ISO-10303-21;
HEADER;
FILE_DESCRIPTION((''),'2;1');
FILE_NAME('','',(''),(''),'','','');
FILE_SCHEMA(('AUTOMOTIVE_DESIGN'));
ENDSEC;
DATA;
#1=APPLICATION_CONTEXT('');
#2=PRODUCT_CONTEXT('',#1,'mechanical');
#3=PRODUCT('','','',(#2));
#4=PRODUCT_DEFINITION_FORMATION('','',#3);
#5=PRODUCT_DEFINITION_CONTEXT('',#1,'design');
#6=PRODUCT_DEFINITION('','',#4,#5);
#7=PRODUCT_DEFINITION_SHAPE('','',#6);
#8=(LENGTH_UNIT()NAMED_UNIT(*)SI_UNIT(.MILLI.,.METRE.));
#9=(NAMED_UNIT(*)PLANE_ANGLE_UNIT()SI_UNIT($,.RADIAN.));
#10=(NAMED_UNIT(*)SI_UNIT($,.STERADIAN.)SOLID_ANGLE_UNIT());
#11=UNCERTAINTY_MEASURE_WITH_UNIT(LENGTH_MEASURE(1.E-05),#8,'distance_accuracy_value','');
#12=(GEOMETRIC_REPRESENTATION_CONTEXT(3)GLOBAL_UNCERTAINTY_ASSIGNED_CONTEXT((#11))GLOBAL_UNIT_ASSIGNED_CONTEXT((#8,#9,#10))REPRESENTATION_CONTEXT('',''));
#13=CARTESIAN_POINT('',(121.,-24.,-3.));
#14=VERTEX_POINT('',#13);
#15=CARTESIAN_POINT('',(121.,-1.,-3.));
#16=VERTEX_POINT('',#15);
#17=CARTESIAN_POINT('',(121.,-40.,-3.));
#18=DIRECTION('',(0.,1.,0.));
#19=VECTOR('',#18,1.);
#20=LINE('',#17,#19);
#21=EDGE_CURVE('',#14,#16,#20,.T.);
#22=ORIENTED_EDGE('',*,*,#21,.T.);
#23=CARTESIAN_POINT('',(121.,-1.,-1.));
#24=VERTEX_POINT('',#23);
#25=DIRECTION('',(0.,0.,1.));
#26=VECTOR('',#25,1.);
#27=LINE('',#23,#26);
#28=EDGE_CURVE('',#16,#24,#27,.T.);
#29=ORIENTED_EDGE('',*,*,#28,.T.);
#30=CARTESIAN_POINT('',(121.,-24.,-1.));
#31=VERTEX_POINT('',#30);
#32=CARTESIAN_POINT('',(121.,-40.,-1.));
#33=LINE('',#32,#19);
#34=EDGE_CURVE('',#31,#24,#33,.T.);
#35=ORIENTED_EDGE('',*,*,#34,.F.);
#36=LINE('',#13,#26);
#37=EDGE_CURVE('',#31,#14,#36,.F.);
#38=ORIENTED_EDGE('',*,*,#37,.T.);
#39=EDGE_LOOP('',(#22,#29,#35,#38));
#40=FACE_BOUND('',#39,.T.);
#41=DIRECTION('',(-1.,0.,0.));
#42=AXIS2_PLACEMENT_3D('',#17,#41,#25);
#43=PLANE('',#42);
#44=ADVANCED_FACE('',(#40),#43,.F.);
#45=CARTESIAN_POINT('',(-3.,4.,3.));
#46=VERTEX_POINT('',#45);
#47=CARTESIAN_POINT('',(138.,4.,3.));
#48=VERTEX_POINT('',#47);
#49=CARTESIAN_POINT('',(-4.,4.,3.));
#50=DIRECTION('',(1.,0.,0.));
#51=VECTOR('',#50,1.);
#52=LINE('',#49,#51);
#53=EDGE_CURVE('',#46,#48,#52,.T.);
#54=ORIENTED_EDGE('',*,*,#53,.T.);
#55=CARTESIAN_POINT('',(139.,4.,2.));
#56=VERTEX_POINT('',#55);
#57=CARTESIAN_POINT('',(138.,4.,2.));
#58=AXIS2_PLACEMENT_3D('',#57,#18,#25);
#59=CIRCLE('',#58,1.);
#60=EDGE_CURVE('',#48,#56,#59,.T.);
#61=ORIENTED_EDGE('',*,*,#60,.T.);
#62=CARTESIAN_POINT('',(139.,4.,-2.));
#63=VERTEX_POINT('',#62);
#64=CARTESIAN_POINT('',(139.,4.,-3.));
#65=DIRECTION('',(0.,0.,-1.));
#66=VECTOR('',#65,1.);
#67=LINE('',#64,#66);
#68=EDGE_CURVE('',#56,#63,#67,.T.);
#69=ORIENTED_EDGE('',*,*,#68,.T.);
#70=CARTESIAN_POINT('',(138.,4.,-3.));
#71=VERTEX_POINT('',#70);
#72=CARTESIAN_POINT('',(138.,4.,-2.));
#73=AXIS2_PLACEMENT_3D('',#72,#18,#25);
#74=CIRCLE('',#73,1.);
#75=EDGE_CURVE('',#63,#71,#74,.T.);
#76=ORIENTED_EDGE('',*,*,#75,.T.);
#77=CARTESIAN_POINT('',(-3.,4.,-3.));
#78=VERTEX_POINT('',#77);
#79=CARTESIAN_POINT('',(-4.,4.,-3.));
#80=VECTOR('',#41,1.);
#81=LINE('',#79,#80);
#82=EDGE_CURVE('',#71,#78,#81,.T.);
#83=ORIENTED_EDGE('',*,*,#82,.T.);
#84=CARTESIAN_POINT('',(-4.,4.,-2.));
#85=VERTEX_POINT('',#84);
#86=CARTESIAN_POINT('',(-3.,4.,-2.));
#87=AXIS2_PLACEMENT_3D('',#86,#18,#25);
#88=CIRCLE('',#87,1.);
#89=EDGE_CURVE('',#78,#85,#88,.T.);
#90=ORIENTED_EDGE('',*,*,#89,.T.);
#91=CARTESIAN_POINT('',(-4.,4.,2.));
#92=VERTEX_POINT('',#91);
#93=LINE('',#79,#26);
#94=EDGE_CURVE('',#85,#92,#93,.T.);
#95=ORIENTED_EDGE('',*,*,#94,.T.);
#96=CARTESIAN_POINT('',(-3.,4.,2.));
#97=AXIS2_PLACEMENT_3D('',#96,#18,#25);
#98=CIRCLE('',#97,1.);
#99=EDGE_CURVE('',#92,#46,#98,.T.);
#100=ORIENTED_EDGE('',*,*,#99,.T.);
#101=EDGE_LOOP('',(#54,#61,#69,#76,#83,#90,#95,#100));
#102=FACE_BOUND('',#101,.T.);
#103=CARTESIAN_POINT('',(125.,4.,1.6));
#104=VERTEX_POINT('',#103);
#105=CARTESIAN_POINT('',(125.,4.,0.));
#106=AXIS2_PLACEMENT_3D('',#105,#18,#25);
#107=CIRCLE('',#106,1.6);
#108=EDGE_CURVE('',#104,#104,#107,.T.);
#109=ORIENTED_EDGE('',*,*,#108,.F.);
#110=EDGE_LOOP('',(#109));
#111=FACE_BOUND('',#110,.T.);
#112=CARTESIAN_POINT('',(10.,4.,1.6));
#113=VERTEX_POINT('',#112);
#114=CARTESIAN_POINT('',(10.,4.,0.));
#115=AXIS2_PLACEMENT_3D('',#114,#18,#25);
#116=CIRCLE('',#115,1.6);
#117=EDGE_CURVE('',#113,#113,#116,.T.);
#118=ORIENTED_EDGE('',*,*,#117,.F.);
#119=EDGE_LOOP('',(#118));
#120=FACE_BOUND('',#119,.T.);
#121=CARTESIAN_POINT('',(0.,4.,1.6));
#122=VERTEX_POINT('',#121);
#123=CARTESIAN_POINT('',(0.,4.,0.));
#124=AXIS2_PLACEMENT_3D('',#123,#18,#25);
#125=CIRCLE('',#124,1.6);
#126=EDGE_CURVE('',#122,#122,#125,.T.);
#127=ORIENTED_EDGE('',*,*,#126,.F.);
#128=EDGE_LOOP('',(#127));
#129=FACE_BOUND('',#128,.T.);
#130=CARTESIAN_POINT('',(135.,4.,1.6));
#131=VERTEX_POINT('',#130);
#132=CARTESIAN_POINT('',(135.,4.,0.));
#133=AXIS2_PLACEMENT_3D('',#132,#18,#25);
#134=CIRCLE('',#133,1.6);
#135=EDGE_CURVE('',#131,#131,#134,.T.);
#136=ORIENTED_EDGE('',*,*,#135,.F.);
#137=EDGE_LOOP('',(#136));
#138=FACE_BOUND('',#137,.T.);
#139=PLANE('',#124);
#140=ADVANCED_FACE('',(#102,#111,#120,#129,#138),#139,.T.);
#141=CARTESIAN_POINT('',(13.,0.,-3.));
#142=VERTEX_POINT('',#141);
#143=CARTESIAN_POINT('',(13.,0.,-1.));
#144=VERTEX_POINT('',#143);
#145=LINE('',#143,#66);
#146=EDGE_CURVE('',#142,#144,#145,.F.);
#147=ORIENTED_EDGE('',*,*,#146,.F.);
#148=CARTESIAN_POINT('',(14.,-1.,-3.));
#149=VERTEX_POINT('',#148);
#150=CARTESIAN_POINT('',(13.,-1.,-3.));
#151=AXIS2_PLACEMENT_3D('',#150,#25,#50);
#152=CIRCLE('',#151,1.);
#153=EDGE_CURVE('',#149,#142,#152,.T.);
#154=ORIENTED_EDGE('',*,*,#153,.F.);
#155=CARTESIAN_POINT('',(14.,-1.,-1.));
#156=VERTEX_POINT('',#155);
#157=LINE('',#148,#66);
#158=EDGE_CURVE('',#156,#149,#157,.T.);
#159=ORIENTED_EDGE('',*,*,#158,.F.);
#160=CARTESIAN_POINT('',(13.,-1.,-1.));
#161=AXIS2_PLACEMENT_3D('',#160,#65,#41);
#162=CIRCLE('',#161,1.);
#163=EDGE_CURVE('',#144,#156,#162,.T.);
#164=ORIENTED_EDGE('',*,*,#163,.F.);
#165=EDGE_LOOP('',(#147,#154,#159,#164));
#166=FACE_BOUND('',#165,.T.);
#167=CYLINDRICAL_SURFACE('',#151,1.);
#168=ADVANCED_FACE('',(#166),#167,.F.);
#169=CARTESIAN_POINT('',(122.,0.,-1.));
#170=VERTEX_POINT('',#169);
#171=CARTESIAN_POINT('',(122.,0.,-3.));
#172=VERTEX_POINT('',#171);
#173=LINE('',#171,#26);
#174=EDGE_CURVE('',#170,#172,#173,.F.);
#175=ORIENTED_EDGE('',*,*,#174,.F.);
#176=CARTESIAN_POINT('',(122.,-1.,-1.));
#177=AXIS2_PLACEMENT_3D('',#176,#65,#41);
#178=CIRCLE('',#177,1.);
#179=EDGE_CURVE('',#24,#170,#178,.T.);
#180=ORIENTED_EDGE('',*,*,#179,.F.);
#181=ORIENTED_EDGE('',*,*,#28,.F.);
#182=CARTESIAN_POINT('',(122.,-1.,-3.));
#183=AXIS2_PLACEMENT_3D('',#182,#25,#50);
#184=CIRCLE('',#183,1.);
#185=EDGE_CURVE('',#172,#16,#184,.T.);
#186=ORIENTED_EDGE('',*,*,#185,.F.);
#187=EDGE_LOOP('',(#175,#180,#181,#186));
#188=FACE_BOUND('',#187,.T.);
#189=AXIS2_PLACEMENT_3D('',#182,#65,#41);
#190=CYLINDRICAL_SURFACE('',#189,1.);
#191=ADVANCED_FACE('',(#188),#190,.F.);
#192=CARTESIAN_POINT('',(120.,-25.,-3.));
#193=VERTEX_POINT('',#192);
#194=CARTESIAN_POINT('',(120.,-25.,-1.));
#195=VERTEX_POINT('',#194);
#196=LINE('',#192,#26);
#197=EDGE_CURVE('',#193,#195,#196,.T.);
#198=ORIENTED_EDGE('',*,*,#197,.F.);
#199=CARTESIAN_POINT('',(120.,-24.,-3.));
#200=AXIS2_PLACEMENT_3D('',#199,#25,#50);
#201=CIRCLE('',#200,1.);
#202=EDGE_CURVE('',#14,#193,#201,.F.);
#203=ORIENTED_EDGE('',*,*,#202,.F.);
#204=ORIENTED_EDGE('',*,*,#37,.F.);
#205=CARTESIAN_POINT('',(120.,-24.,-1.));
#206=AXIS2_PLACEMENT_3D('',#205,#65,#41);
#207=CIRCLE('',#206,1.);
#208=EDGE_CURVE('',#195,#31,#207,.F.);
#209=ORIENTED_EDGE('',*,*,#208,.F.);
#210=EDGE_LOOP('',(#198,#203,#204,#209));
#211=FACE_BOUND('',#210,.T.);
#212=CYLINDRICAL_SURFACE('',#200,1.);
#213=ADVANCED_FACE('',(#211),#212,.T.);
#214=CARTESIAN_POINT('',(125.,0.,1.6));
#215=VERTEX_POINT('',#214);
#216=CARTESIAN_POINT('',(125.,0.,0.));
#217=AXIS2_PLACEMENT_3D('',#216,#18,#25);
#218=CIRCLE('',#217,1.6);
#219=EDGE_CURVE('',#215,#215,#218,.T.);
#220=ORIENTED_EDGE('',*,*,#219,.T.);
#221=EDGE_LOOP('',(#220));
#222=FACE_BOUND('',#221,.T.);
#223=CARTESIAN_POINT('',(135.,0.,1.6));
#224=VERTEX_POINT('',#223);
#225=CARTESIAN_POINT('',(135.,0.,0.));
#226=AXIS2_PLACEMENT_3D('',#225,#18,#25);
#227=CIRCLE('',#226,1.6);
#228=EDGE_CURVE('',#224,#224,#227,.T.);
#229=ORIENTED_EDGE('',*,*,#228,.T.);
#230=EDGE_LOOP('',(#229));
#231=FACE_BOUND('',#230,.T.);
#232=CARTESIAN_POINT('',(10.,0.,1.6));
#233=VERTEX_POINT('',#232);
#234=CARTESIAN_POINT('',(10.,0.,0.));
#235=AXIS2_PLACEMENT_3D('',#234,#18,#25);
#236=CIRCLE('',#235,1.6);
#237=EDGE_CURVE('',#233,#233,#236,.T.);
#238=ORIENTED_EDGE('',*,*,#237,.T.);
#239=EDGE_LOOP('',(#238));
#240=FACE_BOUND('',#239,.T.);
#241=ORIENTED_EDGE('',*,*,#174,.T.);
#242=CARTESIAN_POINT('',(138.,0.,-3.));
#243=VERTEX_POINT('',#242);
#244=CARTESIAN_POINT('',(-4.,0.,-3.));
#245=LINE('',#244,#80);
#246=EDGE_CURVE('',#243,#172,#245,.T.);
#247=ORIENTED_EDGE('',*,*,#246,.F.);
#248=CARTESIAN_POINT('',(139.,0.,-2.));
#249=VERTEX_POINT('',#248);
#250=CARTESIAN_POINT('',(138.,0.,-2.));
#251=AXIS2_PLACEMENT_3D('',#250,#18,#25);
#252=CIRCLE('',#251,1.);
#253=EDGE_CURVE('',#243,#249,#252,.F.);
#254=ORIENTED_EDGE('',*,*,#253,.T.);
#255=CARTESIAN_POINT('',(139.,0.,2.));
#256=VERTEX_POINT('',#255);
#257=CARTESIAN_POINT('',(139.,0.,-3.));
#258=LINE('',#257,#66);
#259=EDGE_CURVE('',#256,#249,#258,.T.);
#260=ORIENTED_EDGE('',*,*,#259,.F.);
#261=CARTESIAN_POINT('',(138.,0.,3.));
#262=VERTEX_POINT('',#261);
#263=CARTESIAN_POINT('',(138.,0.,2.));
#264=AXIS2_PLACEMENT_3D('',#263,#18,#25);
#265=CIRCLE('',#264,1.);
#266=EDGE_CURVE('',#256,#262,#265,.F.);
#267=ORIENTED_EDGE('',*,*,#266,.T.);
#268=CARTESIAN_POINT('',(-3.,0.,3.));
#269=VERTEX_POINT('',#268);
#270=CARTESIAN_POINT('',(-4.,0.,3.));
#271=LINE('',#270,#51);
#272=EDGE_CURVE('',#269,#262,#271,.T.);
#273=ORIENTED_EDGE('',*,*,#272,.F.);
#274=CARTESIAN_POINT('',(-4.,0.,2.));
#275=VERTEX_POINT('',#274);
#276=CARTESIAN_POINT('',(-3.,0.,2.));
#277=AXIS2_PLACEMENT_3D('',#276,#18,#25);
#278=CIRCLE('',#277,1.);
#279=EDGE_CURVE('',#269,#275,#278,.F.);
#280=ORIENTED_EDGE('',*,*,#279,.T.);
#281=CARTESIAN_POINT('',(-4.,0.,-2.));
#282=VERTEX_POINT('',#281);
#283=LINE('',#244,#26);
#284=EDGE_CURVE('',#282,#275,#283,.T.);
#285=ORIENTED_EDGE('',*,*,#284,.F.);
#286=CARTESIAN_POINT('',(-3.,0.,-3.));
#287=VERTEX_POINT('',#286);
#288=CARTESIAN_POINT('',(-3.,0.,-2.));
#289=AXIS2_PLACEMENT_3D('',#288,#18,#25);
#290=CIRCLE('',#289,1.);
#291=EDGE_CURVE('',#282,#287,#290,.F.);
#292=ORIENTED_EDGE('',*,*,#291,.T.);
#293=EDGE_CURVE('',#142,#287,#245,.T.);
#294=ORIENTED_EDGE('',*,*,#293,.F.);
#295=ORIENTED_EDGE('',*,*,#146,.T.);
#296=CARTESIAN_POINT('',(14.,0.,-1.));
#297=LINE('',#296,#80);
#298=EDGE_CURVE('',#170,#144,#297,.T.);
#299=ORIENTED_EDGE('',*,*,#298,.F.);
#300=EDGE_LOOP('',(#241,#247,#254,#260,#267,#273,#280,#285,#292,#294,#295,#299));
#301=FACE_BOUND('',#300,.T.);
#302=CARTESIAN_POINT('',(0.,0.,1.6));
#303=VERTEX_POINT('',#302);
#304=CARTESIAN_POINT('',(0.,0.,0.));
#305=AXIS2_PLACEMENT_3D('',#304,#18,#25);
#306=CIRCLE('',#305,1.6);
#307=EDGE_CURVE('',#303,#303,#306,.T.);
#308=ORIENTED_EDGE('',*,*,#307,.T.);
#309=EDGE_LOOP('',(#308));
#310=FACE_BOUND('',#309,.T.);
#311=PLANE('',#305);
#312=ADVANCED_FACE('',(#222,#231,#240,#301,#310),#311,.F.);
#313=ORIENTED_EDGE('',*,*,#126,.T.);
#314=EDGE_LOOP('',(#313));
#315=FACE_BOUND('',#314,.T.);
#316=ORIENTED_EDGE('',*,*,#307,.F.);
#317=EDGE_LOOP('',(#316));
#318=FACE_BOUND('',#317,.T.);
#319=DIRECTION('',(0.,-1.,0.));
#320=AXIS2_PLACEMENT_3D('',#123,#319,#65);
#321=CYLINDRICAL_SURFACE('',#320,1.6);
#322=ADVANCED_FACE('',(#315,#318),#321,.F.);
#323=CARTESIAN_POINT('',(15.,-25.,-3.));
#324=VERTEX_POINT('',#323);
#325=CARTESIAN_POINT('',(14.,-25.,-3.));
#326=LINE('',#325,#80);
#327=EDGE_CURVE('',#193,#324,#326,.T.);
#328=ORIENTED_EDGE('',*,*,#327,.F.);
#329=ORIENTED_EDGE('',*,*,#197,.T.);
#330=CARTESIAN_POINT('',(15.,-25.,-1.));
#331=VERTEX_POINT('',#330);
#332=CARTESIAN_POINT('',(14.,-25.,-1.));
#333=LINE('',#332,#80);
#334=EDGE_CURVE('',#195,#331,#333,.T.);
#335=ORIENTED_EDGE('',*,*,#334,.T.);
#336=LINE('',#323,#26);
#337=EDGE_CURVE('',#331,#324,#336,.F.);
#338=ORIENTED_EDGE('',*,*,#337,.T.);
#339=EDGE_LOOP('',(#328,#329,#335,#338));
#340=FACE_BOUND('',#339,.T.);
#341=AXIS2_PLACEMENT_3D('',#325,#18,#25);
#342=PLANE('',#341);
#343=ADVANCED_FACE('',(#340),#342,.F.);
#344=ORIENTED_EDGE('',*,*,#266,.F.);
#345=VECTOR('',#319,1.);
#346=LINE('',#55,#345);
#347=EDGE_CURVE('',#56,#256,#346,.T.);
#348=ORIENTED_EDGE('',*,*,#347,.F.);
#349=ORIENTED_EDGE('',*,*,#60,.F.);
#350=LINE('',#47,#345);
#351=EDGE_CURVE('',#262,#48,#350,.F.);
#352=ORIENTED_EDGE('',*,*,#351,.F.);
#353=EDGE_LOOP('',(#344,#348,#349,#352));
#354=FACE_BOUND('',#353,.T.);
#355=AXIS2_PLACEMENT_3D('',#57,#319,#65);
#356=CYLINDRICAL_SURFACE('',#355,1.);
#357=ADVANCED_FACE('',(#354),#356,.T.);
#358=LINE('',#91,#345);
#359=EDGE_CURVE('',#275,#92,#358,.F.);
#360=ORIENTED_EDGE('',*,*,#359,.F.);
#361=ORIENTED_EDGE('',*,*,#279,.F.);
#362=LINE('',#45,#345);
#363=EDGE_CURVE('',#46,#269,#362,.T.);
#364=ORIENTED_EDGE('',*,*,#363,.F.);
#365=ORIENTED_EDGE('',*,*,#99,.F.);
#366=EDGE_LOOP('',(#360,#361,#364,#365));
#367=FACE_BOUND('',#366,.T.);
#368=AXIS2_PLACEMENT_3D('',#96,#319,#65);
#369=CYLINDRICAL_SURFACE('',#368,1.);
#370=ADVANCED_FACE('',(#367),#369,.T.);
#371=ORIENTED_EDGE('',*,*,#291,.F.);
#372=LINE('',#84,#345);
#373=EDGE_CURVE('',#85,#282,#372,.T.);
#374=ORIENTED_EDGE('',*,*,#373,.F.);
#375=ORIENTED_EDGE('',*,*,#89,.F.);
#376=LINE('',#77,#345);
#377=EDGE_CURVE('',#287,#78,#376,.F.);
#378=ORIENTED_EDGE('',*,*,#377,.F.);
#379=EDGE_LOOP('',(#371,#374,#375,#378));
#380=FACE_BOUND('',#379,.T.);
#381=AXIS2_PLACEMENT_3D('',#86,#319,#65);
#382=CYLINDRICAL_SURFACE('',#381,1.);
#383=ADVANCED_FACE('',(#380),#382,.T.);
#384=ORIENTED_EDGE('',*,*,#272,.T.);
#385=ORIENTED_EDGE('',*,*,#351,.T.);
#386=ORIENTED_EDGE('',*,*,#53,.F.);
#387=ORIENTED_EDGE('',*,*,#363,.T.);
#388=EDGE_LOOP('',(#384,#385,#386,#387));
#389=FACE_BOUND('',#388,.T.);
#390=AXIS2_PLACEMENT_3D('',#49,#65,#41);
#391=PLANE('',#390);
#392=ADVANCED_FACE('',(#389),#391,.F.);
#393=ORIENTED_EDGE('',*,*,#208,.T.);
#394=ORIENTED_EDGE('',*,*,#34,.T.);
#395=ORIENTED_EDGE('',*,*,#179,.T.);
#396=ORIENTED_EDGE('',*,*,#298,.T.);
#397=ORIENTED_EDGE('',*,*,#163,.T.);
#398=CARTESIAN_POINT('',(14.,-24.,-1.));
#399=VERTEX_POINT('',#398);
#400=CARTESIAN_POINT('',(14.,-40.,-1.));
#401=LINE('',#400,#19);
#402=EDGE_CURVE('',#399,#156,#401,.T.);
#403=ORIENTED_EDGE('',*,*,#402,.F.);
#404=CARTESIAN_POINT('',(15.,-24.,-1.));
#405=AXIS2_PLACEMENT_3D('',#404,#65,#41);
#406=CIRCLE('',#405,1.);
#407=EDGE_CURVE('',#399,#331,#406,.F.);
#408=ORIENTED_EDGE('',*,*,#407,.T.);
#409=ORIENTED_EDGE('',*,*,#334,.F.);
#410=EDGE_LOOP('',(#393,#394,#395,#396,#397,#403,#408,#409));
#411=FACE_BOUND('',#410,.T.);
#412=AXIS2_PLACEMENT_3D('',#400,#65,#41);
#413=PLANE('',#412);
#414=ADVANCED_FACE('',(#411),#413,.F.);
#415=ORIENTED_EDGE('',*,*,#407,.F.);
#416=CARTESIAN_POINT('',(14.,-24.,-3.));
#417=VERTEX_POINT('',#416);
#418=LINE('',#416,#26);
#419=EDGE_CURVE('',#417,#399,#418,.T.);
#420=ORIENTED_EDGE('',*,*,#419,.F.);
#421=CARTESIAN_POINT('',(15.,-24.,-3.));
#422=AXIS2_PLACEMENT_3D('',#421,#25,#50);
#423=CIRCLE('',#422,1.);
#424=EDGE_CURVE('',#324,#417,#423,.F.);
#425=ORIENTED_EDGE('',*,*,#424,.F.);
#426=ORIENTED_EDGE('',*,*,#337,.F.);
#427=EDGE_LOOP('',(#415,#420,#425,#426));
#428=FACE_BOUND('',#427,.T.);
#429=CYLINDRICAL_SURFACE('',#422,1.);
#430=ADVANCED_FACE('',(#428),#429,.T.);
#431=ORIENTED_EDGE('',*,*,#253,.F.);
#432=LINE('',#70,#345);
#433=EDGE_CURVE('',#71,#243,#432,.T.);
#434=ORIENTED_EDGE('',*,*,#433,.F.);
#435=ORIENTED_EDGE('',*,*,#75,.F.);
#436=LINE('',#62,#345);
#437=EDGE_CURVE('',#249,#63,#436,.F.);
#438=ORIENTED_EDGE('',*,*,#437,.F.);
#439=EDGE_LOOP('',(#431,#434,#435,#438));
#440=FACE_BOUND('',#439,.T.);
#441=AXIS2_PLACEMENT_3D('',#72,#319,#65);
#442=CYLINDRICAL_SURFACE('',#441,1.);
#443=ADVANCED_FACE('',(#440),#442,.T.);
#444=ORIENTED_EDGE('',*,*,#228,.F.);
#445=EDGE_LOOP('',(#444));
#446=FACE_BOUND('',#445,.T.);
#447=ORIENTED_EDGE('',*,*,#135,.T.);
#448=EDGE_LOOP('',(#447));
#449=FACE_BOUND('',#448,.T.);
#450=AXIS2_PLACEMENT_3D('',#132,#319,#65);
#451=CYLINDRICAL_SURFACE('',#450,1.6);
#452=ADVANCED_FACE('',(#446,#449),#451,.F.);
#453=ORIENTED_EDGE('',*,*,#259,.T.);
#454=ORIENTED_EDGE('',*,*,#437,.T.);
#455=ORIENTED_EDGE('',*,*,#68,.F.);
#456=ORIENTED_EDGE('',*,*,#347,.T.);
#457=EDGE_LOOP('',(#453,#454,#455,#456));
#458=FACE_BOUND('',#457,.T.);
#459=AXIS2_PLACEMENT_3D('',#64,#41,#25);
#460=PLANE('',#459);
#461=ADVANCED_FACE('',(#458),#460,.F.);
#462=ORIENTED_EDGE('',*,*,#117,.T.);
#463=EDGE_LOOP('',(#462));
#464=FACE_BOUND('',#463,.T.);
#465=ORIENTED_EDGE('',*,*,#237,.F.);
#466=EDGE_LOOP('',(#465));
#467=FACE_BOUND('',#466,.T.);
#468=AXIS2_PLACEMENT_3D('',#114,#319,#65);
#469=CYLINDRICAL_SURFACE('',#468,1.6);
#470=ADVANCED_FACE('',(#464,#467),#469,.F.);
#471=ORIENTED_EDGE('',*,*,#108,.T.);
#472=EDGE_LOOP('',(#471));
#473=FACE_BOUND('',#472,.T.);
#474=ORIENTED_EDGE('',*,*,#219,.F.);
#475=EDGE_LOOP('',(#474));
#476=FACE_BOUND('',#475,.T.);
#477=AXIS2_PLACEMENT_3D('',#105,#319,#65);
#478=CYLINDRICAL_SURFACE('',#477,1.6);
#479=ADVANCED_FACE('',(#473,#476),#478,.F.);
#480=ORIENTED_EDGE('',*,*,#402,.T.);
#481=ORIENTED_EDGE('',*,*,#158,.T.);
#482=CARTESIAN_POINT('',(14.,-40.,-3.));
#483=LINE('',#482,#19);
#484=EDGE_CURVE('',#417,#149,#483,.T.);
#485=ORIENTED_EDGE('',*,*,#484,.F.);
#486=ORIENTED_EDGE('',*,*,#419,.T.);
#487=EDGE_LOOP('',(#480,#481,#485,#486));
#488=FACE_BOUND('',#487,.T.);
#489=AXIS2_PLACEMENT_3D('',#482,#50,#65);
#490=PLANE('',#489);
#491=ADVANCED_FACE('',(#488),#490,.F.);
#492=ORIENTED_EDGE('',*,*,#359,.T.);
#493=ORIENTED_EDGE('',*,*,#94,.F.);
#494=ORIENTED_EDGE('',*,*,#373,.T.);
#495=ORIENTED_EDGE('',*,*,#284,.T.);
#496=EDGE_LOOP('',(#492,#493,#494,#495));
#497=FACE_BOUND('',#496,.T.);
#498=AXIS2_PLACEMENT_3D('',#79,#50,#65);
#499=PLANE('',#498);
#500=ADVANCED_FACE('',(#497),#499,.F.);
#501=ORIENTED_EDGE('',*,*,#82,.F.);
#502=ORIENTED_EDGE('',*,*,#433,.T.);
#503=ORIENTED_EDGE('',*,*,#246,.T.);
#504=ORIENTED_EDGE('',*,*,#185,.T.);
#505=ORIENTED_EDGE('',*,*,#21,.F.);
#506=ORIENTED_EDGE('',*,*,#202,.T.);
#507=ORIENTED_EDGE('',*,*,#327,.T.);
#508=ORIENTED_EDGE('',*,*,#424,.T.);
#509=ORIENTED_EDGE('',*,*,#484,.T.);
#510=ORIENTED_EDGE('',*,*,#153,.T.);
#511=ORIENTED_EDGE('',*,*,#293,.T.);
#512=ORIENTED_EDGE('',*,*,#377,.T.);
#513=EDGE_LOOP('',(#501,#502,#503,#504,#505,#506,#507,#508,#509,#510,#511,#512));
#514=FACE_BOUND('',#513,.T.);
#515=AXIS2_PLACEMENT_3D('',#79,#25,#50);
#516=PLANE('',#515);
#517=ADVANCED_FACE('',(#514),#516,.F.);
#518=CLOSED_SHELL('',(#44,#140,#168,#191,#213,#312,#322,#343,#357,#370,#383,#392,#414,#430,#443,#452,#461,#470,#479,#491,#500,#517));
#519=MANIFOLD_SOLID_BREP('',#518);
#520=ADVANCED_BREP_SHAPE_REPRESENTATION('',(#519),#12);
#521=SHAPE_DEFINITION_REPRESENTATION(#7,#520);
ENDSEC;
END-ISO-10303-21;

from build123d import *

# Parameters (mm, degrees)
SKETCH_1_W          = 143
SKETCH_1_H          = 6
SKETCH_1_R          = 1.6
EXTRUDE_1_DEPTH     = 4
SKETCH_2_W          = 107
SKETCH_2_H          = 2
EXTRUDE_2_DEPTH     = 40
SKETCH_3_W          = 107
SKETCH_3_H          = 15
CUT_EXTRUDE_1_DEPTH = 145.696233538
FILLET_2_R          = 1


with BuildPart() as part:
    # 草图1 → 凸台-拉伸1 (new body)
    with BuildSketch(Plane(origin=(0, 0, 0), x_dir=(1, 0, 0), z_dir=(0, 1, 0))):
        with Locations((67.5, 0)):
            Rectangle(SKETCH_1_W, SKETCH_1_H)
        with Locations(Location((0, 0, 0), (0, 0, 270))):
            Circle(SKETCH_1_R, mode=Mode.SUBTRACT)
        with Locations(Location((10, 0, 0), (0, 0, 270))):
            Circle(SKETCH_1_R, mode=Mode.SUBTRACT)
        with Locations(Location((125, 0, 0), (0, 0, 270))):
            Circle(SKETCH_1_R, mode=Mode.SUBTRACT)
        with Locations(Location((135, 0, 0), (0, 0, 270))):
            Circle(SKETCH_1_R, mode=Mode.SUBTRACT)
    extrude(amount=EXTRUDE_1_DEPTH)

    # 草图2 → 凸台-拉伸2 (add)
    with BuildSketch(Plane.XZ):
        with Locations((67.5, -2)):
            Rectangle(SKETCH_2_W, SKETCH_2_H)
    extrude(amount=EXTRUDE_2_DEPTH)

    # 草图3 → 切除-拉伸1 (cut, through all)
    with BuildSketch(Plane.XY.offset(-1)):
        with Locations((67.5, -32.5)):
            Rectangle(SKETCH_3_W, SKETCH_3_H)
    extrude(amount=-CUT_EXTRUDE_1_DEPTH, mode=Mode.SUBTRACT)

    # 圆角2
    fillet_2_edges = [part.edges().sort_by_distance(p)[0] for p in [
        (14, 0, -2),
        (121, 0, -2),
        (14, -25, -2),
        (121, -25, -2),
        (-4, 2, -3),
        (139, 2, -3),
        (139, 2, 3),
        (-4, 2, 3),
    ]]
    fillet(fillet_2_edges, radius=FILLET_2_R)


solid = part.part
